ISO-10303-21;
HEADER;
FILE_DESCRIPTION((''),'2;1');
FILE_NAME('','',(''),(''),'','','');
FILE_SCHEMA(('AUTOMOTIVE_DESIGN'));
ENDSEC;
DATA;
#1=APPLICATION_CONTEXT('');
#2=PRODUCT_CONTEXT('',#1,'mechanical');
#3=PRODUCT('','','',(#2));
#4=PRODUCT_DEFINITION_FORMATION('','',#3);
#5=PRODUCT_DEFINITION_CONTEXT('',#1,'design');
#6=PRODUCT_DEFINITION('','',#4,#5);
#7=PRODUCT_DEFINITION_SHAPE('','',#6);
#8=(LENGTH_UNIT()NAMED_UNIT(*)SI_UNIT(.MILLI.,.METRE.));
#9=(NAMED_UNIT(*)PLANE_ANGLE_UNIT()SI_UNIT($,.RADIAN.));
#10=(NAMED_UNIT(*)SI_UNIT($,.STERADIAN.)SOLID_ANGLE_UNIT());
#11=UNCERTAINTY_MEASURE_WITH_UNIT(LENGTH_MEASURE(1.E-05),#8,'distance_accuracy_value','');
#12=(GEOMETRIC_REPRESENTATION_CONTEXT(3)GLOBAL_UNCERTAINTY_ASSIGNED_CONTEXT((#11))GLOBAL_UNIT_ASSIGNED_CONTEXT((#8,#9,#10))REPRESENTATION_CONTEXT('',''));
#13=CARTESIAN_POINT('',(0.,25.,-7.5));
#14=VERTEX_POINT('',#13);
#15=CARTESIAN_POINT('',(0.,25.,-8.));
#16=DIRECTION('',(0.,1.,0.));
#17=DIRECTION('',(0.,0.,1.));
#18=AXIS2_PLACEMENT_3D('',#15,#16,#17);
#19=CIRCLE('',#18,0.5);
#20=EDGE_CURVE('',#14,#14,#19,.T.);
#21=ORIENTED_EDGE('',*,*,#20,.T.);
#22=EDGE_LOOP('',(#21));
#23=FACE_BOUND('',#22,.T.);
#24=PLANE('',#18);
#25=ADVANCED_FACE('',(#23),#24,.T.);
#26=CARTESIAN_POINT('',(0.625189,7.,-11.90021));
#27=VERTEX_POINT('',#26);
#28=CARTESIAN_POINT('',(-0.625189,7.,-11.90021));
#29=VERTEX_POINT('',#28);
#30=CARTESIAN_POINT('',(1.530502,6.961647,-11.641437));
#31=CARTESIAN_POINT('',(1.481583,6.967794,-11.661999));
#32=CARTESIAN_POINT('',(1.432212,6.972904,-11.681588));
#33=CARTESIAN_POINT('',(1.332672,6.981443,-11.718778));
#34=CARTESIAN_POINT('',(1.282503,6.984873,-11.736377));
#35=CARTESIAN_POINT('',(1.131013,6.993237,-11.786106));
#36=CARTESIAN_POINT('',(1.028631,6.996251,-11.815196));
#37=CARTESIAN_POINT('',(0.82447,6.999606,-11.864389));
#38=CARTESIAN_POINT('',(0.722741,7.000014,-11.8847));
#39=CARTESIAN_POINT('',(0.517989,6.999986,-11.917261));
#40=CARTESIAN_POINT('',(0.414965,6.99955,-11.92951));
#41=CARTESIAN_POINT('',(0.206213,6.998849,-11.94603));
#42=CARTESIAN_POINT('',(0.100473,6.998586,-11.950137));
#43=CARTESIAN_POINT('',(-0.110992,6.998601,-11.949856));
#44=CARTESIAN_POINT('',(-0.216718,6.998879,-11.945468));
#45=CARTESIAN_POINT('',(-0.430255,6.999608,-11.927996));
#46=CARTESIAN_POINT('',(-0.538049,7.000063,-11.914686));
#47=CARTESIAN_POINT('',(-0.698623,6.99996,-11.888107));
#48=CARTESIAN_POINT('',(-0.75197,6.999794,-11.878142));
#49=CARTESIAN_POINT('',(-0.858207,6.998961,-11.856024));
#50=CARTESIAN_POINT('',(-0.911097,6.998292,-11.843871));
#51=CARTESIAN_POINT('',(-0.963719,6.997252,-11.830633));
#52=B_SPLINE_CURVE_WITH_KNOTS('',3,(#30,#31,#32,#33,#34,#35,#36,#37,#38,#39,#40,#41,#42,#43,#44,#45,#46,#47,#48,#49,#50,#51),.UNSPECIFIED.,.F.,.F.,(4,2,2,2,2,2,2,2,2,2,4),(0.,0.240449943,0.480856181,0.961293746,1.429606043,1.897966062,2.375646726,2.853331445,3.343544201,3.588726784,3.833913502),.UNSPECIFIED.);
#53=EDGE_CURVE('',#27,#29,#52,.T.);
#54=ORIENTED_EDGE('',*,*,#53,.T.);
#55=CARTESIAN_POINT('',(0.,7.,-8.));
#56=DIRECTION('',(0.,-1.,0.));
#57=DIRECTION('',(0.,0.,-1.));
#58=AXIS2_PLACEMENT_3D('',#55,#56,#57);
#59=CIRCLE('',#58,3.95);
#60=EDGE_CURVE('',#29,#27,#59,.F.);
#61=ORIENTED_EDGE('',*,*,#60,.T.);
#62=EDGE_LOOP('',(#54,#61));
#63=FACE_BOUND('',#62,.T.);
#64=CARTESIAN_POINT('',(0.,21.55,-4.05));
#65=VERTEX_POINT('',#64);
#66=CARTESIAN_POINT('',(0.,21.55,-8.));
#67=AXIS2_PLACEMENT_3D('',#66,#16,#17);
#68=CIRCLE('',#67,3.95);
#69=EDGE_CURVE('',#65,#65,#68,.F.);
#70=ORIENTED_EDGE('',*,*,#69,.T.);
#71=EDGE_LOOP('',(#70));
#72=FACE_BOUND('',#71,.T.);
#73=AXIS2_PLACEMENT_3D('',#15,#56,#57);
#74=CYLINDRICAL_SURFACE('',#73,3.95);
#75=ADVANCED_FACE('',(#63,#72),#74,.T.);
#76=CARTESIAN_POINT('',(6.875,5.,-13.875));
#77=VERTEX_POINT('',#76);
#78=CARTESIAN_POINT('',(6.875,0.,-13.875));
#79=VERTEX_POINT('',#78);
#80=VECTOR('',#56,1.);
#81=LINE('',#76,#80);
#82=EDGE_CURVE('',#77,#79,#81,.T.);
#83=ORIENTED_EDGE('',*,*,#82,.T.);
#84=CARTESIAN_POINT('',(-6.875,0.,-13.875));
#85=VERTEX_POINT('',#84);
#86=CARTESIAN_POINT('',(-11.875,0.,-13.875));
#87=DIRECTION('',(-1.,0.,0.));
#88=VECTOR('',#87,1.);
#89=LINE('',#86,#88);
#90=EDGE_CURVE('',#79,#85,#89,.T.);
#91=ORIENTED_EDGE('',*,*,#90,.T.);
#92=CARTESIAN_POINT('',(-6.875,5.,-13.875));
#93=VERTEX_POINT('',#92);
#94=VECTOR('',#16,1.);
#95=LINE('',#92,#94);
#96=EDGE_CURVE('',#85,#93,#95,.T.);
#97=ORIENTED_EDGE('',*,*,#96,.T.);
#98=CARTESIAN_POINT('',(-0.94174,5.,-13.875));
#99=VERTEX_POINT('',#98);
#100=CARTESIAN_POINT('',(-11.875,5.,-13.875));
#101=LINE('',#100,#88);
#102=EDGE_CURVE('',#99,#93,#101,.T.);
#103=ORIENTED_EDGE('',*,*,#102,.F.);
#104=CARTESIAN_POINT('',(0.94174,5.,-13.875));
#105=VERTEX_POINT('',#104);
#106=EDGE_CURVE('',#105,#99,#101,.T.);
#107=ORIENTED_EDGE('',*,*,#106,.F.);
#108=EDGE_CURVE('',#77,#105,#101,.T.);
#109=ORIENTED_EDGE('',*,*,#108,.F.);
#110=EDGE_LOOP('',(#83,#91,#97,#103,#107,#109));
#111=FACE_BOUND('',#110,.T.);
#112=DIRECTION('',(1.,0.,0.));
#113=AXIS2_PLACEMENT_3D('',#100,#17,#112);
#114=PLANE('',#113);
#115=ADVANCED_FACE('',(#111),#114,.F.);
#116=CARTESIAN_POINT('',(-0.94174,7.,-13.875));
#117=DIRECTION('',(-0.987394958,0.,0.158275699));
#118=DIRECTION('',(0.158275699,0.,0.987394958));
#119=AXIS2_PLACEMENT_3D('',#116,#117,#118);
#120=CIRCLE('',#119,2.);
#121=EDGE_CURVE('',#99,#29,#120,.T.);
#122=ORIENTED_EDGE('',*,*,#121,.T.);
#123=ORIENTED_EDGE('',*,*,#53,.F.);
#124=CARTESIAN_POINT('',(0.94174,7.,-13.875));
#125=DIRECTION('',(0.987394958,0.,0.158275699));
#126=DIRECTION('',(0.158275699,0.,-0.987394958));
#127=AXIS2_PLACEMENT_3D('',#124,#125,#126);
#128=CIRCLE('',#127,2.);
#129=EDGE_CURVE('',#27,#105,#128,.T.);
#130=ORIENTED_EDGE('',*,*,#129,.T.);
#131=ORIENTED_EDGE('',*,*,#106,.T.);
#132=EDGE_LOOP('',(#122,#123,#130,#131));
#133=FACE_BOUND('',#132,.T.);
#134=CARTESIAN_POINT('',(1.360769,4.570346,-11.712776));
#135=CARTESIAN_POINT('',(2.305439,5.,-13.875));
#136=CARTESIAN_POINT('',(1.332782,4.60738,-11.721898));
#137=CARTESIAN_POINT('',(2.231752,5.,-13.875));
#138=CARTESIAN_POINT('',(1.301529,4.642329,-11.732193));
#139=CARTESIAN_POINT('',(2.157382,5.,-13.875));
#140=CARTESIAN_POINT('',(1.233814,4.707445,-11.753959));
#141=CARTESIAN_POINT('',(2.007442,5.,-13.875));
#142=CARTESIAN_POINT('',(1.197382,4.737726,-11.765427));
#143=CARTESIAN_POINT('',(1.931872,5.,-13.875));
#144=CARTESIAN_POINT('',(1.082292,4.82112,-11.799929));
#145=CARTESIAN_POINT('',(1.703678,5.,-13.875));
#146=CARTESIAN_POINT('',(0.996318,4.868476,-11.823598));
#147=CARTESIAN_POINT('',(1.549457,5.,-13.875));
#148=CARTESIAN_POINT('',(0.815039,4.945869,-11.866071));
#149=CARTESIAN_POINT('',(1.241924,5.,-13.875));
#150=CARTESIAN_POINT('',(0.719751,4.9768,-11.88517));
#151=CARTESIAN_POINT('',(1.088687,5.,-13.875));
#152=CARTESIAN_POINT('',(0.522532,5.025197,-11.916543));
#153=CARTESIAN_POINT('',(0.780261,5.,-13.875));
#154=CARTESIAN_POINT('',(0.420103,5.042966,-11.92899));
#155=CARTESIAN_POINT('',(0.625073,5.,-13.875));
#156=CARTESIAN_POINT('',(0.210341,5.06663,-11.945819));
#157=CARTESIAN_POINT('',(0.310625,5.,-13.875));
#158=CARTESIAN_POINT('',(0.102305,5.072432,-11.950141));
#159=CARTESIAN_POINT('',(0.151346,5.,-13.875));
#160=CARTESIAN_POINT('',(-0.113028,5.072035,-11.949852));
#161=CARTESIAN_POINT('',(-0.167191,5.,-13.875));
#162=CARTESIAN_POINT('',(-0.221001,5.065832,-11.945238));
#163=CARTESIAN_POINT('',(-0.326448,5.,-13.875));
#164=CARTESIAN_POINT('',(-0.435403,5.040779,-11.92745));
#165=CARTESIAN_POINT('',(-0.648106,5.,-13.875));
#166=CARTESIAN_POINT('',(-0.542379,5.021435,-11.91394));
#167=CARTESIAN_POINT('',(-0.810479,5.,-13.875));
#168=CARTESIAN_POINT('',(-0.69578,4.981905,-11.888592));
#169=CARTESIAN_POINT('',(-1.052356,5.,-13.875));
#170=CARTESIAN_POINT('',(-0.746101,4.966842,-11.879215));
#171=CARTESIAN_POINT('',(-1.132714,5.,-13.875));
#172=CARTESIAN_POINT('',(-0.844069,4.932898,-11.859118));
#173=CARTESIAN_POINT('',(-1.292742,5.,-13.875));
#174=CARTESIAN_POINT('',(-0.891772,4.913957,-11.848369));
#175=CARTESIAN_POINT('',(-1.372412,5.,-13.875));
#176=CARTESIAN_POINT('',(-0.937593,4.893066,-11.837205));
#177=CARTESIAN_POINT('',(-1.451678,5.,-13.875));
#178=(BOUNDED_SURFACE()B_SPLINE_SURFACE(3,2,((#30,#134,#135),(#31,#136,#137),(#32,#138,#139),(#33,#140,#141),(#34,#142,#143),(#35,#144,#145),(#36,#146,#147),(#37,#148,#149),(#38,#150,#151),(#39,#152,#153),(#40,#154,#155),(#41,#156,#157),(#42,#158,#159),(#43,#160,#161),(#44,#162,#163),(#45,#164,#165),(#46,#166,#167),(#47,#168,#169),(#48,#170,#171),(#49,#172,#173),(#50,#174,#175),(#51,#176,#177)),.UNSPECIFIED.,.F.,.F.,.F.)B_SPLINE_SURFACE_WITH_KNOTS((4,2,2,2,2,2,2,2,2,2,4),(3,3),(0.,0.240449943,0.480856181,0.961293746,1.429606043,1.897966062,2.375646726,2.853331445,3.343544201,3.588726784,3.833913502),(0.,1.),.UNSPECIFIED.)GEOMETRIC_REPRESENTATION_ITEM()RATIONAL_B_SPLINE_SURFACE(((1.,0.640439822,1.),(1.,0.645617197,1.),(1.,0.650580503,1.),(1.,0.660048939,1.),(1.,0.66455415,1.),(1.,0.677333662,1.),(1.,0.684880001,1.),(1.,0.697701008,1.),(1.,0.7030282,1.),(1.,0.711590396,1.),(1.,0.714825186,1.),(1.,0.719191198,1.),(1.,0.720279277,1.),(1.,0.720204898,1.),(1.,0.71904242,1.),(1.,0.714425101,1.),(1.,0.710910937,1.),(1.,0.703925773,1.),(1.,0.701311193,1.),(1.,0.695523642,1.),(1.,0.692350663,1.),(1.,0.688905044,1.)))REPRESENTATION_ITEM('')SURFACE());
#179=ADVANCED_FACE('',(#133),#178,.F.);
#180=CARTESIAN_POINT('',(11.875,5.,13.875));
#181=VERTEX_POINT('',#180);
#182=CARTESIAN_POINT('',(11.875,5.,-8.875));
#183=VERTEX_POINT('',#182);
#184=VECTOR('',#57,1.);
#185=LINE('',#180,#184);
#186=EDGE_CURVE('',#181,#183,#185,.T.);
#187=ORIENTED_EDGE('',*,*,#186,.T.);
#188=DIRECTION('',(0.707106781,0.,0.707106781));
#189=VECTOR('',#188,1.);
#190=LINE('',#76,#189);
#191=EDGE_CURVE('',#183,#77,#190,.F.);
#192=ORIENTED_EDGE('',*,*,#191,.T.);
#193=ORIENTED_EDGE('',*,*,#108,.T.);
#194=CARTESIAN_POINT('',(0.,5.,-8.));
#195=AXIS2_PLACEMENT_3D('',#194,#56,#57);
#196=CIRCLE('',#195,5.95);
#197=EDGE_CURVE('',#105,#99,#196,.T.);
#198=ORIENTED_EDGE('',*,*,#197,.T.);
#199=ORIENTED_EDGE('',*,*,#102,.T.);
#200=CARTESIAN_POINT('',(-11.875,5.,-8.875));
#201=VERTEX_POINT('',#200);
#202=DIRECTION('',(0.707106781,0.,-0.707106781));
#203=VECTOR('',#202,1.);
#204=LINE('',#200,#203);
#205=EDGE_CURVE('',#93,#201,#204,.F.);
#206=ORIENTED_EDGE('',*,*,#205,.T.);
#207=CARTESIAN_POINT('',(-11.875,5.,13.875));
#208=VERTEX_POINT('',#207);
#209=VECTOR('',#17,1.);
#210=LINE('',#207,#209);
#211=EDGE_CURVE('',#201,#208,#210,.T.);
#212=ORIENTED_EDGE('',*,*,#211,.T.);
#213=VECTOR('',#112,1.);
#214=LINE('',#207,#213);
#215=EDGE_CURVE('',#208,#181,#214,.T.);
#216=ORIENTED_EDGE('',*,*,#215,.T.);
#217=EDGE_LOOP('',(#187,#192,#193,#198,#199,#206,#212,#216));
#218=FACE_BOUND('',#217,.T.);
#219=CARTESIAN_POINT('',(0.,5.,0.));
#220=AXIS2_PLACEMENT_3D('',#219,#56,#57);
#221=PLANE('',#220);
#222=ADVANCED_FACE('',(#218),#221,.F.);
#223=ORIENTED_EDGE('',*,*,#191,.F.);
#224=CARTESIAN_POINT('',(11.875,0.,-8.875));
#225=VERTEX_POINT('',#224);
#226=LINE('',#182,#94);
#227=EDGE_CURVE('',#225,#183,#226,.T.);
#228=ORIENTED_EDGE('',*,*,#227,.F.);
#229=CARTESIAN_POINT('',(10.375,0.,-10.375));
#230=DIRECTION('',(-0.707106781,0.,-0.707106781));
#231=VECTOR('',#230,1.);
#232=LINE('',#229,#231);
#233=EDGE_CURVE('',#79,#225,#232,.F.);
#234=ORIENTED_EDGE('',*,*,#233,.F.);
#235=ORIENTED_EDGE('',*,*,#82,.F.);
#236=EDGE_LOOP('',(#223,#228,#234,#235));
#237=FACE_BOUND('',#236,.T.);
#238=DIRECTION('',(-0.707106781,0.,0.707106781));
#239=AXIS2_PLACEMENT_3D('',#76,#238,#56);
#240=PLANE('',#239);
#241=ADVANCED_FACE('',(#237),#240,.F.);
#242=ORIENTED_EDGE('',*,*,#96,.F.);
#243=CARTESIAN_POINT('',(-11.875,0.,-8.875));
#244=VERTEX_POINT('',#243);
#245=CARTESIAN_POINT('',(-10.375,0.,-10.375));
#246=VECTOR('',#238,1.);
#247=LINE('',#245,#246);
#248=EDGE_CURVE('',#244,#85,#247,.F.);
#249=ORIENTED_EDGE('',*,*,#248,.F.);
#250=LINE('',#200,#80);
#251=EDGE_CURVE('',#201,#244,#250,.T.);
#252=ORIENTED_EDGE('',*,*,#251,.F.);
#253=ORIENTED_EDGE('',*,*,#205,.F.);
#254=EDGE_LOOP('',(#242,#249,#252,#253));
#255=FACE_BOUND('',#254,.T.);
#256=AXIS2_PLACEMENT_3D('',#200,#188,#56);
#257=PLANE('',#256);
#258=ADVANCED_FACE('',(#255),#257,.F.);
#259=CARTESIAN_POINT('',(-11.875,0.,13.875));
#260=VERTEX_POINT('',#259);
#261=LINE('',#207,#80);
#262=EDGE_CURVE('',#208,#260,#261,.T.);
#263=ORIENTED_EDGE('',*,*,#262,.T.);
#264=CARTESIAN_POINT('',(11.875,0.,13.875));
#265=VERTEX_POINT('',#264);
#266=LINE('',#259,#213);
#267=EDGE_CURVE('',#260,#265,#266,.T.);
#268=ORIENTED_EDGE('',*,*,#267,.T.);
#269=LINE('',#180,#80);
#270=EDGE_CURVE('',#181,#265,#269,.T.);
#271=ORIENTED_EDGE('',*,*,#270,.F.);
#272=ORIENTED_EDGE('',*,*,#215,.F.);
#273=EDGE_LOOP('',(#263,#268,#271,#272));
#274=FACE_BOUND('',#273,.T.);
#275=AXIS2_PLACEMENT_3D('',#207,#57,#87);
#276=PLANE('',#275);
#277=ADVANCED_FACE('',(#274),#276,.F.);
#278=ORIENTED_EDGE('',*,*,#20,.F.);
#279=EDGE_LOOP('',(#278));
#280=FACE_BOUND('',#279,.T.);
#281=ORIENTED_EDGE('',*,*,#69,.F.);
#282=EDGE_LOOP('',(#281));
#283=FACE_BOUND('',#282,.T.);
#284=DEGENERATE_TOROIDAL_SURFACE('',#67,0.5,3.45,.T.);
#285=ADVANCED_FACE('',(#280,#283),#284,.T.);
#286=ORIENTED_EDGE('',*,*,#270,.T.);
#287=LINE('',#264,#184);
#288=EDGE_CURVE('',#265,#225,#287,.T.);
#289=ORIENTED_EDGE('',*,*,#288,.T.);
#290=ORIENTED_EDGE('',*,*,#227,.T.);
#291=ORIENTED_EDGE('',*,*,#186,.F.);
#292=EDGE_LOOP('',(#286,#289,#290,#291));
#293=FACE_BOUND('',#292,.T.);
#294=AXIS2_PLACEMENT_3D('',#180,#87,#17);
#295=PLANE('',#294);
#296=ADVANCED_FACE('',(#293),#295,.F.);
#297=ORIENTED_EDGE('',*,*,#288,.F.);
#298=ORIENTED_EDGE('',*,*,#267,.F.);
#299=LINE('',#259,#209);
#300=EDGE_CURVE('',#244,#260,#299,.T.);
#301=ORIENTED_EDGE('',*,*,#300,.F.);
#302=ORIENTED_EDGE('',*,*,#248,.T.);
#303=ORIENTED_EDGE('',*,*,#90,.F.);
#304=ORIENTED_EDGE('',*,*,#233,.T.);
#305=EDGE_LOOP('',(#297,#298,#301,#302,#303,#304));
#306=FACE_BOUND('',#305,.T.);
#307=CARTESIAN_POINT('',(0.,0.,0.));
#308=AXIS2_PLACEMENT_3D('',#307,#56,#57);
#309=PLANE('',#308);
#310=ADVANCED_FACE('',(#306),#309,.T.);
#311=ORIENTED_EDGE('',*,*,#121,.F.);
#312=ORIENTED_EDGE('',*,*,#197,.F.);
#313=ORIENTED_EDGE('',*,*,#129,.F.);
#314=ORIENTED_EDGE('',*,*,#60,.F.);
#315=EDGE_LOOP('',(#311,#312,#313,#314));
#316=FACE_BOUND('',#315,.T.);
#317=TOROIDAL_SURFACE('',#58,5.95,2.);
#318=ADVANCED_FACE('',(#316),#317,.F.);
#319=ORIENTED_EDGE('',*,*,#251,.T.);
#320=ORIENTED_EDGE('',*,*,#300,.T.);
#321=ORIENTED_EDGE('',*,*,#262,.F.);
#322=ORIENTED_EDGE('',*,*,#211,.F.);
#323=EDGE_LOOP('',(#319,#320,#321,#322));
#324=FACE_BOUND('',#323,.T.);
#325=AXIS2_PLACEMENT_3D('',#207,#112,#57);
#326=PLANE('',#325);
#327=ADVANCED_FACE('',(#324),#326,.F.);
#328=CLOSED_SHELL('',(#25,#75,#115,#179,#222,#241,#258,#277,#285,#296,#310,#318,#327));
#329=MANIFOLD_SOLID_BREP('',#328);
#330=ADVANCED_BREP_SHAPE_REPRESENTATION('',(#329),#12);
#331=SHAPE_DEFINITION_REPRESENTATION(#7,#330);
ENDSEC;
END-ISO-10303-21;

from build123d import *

# Parameters (mm, degrees)
SKETCH1_W           = 23.75
SKETCH1_H           = 27.75
BOSS_EXTRUDE1_DEPTH = 5
SKETCH2_R           = 3.95
BOSS_EXTRUDE2_DEPTH = 20
FILLET1_R           = 3.45
FILLET2_R           = 2
CHAMFER1_SIZE       = 5


with BuildPart() as part:
    # Sketch1 → Boss-Extrude1 (new body)
    with BuildSketch(Plane(origin=(0, 0, 0), x_dir=(1, 0, 0), z_dir=(0, 1, 0))):
        Rectangle(SKETCH1_W, SKETCH1_H)
    extrude(amount=BOSS_EXTRUDE1_DEPTH)

    # Sketch2 → Boss-Extrude2 (add)
    with BuildSketch(Plane(origin=(0, 5, 0), x_dir=(1, 0, 0), z_dir=(0, 1, 0))):
        with Locations(Location((0, 8, 0), (0, 0, 90))):
            Circle(SKETCH2_R)
    extrude(amount=BOSS_EXTRUDE2_DEPTH)

    # Fillet1
    fillet1_edges = [part.edges().sort_by_distance(p)[0] for p in [
        (0, 25, -4.05),
    ]]
    fillet(fillet1_edges, radius=FILLET1_R)

    # Fillet2
    fillet2_edges = [part.edges().sort_by_distance(p)[0] for p in [
        (0, 5, -4.05),
    ]]
    fillet(fillet2_edges, radius=FILLET2_R)

    # Chamfer1
    chamfer1_edges = [part.edges().sort_by_distance(p)[0] for p in [
        (-11.875, 2.5, -13.875),
        (11.875, 2.5, -13.875),
    ]]
    chamfer(chamfer1_edges, length=CHAMFER1_SIZE)


solid = part.part
